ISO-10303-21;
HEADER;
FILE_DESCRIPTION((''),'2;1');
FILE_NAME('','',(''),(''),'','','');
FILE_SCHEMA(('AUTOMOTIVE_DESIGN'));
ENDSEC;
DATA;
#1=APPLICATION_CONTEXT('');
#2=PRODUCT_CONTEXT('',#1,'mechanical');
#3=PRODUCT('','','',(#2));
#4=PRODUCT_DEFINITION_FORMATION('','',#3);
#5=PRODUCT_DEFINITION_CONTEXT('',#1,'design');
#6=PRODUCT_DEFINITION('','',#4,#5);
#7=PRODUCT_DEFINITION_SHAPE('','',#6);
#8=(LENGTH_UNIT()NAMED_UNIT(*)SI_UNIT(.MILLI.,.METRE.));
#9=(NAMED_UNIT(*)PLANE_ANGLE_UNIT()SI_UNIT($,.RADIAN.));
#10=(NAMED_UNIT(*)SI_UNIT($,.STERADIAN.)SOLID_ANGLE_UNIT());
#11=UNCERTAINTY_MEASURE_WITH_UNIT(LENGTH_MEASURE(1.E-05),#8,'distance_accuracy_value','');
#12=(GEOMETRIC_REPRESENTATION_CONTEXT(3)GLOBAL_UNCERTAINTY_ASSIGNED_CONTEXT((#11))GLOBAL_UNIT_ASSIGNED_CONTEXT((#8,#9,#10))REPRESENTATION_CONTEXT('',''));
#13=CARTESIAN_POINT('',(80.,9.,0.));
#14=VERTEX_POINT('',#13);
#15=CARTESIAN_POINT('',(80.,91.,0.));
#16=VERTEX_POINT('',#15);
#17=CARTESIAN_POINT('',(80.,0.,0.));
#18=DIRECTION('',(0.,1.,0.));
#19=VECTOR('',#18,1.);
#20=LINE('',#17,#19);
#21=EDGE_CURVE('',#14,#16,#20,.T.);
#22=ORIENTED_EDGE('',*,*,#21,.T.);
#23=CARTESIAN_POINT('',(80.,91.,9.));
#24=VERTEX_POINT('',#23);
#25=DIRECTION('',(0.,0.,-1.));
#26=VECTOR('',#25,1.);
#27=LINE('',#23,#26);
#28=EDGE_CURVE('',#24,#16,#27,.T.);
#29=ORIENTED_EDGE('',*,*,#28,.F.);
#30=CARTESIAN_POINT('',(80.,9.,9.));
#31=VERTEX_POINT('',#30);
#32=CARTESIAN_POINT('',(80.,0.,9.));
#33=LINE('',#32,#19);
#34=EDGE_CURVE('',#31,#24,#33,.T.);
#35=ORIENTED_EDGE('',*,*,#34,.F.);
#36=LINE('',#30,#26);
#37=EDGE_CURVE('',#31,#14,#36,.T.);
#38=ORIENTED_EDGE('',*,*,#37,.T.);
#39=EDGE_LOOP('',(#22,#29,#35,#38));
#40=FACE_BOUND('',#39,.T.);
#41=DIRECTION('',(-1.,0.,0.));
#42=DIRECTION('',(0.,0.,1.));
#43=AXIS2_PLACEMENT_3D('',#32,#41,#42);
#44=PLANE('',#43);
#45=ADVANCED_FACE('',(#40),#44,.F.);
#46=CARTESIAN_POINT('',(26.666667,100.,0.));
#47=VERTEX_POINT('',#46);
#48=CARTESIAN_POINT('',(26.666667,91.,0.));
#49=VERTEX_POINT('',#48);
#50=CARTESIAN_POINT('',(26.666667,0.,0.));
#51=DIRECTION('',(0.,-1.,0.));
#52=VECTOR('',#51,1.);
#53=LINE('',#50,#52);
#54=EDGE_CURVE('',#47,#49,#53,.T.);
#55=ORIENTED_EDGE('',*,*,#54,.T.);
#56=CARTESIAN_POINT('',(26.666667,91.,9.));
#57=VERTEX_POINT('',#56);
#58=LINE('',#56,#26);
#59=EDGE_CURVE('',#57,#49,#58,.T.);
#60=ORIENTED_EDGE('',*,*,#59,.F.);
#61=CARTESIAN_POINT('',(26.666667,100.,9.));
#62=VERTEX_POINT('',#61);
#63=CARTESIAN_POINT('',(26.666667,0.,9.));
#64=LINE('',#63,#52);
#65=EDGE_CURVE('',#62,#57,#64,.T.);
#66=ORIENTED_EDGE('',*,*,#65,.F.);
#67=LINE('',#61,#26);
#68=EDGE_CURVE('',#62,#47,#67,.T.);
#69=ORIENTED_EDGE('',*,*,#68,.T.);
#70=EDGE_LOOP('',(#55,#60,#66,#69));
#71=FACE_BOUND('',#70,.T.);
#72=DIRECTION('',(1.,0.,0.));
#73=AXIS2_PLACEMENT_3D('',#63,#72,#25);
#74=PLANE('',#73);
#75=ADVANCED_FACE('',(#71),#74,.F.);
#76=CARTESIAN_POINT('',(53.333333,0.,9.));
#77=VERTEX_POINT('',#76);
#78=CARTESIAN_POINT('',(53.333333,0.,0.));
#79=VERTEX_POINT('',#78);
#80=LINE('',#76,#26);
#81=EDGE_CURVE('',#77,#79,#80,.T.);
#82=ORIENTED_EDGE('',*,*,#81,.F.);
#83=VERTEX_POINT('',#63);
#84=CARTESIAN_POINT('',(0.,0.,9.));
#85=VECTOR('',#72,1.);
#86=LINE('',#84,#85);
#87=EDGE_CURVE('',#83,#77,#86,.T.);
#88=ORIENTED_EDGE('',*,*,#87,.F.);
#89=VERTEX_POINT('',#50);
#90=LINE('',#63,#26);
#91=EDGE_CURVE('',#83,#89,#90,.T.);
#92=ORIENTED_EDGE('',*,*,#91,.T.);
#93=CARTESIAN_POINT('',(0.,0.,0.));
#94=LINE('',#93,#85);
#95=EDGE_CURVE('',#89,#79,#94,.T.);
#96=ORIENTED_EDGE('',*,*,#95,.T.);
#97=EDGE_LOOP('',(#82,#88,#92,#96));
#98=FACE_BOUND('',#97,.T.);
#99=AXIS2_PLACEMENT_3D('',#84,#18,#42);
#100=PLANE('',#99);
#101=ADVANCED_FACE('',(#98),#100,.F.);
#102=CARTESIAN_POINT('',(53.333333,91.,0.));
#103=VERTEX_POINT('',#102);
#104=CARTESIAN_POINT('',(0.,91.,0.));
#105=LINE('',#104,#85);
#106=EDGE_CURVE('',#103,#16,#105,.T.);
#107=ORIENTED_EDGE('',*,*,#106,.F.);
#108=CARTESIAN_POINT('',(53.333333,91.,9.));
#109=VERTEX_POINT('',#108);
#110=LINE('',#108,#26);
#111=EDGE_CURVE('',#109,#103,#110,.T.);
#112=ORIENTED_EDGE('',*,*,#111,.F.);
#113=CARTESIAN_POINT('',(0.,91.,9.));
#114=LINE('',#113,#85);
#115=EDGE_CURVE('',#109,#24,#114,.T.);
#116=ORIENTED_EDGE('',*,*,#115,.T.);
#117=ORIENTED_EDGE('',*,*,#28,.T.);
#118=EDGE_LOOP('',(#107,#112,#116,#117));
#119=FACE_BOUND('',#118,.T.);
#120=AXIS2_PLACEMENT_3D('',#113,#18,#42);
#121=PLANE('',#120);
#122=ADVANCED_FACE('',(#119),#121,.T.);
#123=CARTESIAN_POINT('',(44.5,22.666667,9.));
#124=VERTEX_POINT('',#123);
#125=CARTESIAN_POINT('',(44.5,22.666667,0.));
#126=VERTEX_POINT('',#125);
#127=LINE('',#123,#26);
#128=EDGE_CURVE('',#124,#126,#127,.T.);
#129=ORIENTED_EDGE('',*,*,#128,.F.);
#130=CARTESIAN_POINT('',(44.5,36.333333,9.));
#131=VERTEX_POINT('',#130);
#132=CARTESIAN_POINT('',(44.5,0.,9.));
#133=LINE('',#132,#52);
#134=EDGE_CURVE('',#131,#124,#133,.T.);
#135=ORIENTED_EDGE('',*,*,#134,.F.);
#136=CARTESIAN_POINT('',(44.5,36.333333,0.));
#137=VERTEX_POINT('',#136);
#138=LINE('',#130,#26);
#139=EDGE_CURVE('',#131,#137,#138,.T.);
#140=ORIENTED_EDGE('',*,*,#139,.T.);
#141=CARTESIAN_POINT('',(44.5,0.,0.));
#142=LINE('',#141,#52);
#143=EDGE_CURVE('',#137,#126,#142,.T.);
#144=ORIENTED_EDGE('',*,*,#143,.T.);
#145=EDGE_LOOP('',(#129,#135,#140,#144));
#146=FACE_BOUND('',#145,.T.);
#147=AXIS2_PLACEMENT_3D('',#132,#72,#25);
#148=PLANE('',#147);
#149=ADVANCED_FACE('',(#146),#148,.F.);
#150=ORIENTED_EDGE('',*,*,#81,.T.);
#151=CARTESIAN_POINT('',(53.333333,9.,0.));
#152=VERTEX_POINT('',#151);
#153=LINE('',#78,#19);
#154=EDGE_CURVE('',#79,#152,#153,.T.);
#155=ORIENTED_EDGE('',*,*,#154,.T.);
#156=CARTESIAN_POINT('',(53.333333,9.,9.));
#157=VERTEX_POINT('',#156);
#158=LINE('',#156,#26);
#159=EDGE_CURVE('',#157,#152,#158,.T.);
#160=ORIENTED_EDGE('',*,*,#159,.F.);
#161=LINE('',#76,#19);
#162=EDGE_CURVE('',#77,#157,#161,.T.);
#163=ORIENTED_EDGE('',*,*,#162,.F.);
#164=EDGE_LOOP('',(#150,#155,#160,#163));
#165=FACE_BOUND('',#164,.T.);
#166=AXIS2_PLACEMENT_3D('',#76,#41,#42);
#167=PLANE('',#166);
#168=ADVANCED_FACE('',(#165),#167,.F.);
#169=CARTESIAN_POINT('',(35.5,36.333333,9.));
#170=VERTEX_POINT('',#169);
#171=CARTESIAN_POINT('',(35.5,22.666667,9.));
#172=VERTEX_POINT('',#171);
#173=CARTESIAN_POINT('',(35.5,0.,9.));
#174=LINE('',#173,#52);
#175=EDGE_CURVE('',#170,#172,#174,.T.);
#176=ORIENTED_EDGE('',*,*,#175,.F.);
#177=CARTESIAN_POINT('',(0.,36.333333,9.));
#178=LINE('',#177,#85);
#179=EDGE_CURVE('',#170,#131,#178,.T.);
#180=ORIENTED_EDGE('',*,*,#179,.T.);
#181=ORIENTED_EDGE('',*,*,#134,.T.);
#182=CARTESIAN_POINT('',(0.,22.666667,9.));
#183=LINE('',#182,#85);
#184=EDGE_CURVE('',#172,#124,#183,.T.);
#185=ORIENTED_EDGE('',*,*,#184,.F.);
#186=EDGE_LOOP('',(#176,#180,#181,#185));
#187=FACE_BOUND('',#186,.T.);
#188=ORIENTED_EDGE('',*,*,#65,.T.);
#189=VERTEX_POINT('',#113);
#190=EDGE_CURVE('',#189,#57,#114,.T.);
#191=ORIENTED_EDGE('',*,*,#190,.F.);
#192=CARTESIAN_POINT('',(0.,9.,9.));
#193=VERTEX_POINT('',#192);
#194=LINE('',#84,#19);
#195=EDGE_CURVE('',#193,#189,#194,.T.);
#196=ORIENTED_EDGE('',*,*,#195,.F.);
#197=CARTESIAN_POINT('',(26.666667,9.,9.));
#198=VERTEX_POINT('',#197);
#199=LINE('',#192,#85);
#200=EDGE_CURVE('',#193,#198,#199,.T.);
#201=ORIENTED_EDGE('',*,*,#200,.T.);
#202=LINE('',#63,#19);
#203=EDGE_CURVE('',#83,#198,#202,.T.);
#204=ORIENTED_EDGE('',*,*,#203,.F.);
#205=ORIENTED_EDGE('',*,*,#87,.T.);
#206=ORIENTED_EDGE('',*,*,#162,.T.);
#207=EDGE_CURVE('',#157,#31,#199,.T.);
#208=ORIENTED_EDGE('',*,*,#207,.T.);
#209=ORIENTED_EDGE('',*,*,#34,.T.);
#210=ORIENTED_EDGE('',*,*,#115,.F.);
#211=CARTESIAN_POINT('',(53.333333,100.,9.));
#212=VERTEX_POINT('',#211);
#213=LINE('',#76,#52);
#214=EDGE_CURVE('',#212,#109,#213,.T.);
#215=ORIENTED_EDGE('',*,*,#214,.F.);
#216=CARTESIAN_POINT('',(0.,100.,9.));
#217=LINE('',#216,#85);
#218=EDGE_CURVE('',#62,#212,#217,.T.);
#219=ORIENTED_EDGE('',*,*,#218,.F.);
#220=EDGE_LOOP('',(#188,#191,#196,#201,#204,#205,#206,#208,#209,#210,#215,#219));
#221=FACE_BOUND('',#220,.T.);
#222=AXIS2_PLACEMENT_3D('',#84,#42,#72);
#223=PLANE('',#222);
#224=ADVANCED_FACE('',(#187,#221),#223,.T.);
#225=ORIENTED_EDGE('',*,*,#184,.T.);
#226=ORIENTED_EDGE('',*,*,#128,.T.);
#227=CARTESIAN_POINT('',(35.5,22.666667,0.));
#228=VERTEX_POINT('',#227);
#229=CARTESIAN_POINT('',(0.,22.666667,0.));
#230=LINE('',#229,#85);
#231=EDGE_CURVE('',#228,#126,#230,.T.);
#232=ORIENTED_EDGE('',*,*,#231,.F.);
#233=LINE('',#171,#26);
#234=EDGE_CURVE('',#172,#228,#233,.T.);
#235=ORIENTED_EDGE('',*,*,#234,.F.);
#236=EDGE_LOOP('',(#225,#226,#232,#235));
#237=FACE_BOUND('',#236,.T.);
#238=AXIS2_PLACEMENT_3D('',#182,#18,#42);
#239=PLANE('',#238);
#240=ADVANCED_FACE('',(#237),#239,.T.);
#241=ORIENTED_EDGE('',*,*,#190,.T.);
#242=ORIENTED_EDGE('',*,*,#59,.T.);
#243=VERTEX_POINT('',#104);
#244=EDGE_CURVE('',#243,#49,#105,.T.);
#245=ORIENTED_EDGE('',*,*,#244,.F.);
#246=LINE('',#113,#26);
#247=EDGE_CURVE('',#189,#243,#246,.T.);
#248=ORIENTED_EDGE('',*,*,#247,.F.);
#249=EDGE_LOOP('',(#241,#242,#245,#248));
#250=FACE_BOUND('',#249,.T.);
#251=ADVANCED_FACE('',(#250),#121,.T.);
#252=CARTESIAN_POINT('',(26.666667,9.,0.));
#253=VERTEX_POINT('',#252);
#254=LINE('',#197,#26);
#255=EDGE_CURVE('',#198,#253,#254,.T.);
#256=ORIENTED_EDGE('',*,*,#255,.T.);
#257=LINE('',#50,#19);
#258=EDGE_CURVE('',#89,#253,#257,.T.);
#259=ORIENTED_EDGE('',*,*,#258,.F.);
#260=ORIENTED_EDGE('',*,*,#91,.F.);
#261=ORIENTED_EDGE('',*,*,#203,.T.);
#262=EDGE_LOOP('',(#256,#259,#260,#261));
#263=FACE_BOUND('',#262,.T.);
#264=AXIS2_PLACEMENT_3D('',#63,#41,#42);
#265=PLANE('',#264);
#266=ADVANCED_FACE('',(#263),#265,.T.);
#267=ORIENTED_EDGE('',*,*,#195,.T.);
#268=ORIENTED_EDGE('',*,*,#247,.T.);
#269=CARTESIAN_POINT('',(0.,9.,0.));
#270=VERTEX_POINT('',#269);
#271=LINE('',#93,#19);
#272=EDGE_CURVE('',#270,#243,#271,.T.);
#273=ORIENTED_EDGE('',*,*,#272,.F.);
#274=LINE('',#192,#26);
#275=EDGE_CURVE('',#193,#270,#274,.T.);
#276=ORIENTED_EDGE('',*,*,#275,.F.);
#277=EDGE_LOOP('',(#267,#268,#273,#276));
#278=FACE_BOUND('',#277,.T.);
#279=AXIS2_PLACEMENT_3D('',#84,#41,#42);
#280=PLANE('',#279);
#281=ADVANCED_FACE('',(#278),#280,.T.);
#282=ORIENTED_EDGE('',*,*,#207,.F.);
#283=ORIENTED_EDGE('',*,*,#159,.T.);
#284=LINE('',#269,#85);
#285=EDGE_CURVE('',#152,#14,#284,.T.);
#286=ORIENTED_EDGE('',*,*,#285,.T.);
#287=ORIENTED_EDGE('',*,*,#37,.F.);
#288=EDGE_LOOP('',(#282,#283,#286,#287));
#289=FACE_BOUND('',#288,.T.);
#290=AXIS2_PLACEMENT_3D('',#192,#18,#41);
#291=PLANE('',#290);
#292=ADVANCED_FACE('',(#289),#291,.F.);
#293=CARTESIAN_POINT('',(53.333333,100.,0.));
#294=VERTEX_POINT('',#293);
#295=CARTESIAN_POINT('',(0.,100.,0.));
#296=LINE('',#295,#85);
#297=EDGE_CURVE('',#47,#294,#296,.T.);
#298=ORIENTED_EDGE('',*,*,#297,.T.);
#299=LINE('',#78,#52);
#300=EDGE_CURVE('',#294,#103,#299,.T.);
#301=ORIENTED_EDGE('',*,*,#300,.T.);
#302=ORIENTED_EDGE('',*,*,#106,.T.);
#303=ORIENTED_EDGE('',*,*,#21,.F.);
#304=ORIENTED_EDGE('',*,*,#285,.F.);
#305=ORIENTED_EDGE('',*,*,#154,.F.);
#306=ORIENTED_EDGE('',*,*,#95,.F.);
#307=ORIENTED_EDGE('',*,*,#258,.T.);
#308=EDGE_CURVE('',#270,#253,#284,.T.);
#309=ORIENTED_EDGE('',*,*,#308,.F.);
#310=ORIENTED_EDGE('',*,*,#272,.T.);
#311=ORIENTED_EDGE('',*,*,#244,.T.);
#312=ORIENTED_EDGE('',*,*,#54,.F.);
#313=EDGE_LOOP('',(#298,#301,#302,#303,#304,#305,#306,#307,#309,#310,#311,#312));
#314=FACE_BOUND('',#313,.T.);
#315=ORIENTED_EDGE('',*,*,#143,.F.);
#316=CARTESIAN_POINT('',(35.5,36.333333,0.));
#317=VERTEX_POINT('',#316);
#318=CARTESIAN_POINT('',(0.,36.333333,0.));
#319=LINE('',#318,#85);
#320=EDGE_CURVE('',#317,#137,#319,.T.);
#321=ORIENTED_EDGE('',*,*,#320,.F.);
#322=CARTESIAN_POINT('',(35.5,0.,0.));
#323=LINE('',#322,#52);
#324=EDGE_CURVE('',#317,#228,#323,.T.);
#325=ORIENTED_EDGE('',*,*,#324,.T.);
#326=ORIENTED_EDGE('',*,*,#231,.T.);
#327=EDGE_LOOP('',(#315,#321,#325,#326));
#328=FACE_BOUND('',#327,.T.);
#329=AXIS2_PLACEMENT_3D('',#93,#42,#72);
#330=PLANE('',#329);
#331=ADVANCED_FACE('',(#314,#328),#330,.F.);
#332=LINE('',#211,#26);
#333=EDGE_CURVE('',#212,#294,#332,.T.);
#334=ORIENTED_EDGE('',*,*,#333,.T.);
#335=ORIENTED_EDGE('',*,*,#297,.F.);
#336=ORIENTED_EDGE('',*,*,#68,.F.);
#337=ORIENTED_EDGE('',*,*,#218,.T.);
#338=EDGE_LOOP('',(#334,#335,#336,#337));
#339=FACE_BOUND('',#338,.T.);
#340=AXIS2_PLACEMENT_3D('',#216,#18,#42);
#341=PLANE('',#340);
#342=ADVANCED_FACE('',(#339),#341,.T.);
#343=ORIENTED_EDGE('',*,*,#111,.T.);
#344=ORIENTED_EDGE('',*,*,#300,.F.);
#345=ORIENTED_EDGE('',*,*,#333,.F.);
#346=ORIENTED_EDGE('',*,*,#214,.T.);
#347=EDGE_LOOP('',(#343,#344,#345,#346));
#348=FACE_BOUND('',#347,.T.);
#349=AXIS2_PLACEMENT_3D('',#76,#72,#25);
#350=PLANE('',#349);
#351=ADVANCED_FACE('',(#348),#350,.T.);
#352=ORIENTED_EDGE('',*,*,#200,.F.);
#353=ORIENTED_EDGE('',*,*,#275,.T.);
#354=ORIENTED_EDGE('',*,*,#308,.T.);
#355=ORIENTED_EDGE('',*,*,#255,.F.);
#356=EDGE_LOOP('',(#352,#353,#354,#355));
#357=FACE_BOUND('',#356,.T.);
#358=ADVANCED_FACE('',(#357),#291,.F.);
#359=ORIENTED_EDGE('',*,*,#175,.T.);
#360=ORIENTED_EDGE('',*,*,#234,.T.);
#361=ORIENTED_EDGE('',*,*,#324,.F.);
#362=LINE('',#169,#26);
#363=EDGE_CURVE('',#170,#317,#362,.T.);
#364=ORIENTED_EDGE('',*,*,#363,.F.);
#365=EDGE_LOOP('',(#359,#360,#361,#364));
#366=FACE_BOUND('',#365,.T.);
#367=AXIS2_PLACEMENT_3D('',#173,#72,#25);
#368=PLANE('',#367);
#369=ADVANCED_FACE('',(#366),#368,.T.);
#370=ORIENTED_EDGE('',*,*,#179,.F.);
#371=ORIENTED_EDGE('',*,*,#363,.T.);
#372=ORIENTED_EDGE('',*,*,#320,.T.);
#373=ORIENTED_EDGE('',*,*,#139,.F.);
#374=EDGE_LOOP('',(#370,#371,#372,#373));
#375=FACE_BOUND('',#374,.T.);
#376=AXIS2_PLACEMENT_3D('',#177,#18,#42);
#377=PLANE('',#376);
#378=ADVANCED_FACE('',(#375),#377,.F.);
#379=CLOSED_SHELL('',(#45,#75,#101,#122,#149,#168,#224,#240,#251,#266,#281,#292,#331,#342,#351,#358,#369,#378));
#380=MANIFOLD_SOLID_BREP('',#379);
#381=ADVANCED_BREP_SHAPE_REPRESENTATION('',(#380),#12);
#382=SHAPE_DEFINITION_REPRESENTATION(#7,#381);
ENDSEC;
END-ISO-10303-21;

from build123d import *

# Parameters (mm, degrees)
SKETCH1_W           = 9
SKETCH1_H           = 13.666666666
BOSS_EXTRUDE1_DEPTH = 9


with BuildPart() as part:
    # Sketch1 → Boss-Extrude1 (new body)
    with BuildSketch(Plane.XY):
        Polygon((26.666666667, 9), (26.666666667, 0), (53.333333333, 0), (53.333333333, 9), (80, 9), (80, 91), (53.333333333, 91), (53.333333333, 100), (26.666666667, 100), (26.666666667, 91), (0, 91), (0, 9), align=None)
        with Locations((40, 29.5)):
            Rectangle(SKETCH1_W, SKETCH1_H, mode=Mode.SUBTRACT)
    extrude(amount=BOSS_EXTRUDE1_DEPTH)


solid = part.part
